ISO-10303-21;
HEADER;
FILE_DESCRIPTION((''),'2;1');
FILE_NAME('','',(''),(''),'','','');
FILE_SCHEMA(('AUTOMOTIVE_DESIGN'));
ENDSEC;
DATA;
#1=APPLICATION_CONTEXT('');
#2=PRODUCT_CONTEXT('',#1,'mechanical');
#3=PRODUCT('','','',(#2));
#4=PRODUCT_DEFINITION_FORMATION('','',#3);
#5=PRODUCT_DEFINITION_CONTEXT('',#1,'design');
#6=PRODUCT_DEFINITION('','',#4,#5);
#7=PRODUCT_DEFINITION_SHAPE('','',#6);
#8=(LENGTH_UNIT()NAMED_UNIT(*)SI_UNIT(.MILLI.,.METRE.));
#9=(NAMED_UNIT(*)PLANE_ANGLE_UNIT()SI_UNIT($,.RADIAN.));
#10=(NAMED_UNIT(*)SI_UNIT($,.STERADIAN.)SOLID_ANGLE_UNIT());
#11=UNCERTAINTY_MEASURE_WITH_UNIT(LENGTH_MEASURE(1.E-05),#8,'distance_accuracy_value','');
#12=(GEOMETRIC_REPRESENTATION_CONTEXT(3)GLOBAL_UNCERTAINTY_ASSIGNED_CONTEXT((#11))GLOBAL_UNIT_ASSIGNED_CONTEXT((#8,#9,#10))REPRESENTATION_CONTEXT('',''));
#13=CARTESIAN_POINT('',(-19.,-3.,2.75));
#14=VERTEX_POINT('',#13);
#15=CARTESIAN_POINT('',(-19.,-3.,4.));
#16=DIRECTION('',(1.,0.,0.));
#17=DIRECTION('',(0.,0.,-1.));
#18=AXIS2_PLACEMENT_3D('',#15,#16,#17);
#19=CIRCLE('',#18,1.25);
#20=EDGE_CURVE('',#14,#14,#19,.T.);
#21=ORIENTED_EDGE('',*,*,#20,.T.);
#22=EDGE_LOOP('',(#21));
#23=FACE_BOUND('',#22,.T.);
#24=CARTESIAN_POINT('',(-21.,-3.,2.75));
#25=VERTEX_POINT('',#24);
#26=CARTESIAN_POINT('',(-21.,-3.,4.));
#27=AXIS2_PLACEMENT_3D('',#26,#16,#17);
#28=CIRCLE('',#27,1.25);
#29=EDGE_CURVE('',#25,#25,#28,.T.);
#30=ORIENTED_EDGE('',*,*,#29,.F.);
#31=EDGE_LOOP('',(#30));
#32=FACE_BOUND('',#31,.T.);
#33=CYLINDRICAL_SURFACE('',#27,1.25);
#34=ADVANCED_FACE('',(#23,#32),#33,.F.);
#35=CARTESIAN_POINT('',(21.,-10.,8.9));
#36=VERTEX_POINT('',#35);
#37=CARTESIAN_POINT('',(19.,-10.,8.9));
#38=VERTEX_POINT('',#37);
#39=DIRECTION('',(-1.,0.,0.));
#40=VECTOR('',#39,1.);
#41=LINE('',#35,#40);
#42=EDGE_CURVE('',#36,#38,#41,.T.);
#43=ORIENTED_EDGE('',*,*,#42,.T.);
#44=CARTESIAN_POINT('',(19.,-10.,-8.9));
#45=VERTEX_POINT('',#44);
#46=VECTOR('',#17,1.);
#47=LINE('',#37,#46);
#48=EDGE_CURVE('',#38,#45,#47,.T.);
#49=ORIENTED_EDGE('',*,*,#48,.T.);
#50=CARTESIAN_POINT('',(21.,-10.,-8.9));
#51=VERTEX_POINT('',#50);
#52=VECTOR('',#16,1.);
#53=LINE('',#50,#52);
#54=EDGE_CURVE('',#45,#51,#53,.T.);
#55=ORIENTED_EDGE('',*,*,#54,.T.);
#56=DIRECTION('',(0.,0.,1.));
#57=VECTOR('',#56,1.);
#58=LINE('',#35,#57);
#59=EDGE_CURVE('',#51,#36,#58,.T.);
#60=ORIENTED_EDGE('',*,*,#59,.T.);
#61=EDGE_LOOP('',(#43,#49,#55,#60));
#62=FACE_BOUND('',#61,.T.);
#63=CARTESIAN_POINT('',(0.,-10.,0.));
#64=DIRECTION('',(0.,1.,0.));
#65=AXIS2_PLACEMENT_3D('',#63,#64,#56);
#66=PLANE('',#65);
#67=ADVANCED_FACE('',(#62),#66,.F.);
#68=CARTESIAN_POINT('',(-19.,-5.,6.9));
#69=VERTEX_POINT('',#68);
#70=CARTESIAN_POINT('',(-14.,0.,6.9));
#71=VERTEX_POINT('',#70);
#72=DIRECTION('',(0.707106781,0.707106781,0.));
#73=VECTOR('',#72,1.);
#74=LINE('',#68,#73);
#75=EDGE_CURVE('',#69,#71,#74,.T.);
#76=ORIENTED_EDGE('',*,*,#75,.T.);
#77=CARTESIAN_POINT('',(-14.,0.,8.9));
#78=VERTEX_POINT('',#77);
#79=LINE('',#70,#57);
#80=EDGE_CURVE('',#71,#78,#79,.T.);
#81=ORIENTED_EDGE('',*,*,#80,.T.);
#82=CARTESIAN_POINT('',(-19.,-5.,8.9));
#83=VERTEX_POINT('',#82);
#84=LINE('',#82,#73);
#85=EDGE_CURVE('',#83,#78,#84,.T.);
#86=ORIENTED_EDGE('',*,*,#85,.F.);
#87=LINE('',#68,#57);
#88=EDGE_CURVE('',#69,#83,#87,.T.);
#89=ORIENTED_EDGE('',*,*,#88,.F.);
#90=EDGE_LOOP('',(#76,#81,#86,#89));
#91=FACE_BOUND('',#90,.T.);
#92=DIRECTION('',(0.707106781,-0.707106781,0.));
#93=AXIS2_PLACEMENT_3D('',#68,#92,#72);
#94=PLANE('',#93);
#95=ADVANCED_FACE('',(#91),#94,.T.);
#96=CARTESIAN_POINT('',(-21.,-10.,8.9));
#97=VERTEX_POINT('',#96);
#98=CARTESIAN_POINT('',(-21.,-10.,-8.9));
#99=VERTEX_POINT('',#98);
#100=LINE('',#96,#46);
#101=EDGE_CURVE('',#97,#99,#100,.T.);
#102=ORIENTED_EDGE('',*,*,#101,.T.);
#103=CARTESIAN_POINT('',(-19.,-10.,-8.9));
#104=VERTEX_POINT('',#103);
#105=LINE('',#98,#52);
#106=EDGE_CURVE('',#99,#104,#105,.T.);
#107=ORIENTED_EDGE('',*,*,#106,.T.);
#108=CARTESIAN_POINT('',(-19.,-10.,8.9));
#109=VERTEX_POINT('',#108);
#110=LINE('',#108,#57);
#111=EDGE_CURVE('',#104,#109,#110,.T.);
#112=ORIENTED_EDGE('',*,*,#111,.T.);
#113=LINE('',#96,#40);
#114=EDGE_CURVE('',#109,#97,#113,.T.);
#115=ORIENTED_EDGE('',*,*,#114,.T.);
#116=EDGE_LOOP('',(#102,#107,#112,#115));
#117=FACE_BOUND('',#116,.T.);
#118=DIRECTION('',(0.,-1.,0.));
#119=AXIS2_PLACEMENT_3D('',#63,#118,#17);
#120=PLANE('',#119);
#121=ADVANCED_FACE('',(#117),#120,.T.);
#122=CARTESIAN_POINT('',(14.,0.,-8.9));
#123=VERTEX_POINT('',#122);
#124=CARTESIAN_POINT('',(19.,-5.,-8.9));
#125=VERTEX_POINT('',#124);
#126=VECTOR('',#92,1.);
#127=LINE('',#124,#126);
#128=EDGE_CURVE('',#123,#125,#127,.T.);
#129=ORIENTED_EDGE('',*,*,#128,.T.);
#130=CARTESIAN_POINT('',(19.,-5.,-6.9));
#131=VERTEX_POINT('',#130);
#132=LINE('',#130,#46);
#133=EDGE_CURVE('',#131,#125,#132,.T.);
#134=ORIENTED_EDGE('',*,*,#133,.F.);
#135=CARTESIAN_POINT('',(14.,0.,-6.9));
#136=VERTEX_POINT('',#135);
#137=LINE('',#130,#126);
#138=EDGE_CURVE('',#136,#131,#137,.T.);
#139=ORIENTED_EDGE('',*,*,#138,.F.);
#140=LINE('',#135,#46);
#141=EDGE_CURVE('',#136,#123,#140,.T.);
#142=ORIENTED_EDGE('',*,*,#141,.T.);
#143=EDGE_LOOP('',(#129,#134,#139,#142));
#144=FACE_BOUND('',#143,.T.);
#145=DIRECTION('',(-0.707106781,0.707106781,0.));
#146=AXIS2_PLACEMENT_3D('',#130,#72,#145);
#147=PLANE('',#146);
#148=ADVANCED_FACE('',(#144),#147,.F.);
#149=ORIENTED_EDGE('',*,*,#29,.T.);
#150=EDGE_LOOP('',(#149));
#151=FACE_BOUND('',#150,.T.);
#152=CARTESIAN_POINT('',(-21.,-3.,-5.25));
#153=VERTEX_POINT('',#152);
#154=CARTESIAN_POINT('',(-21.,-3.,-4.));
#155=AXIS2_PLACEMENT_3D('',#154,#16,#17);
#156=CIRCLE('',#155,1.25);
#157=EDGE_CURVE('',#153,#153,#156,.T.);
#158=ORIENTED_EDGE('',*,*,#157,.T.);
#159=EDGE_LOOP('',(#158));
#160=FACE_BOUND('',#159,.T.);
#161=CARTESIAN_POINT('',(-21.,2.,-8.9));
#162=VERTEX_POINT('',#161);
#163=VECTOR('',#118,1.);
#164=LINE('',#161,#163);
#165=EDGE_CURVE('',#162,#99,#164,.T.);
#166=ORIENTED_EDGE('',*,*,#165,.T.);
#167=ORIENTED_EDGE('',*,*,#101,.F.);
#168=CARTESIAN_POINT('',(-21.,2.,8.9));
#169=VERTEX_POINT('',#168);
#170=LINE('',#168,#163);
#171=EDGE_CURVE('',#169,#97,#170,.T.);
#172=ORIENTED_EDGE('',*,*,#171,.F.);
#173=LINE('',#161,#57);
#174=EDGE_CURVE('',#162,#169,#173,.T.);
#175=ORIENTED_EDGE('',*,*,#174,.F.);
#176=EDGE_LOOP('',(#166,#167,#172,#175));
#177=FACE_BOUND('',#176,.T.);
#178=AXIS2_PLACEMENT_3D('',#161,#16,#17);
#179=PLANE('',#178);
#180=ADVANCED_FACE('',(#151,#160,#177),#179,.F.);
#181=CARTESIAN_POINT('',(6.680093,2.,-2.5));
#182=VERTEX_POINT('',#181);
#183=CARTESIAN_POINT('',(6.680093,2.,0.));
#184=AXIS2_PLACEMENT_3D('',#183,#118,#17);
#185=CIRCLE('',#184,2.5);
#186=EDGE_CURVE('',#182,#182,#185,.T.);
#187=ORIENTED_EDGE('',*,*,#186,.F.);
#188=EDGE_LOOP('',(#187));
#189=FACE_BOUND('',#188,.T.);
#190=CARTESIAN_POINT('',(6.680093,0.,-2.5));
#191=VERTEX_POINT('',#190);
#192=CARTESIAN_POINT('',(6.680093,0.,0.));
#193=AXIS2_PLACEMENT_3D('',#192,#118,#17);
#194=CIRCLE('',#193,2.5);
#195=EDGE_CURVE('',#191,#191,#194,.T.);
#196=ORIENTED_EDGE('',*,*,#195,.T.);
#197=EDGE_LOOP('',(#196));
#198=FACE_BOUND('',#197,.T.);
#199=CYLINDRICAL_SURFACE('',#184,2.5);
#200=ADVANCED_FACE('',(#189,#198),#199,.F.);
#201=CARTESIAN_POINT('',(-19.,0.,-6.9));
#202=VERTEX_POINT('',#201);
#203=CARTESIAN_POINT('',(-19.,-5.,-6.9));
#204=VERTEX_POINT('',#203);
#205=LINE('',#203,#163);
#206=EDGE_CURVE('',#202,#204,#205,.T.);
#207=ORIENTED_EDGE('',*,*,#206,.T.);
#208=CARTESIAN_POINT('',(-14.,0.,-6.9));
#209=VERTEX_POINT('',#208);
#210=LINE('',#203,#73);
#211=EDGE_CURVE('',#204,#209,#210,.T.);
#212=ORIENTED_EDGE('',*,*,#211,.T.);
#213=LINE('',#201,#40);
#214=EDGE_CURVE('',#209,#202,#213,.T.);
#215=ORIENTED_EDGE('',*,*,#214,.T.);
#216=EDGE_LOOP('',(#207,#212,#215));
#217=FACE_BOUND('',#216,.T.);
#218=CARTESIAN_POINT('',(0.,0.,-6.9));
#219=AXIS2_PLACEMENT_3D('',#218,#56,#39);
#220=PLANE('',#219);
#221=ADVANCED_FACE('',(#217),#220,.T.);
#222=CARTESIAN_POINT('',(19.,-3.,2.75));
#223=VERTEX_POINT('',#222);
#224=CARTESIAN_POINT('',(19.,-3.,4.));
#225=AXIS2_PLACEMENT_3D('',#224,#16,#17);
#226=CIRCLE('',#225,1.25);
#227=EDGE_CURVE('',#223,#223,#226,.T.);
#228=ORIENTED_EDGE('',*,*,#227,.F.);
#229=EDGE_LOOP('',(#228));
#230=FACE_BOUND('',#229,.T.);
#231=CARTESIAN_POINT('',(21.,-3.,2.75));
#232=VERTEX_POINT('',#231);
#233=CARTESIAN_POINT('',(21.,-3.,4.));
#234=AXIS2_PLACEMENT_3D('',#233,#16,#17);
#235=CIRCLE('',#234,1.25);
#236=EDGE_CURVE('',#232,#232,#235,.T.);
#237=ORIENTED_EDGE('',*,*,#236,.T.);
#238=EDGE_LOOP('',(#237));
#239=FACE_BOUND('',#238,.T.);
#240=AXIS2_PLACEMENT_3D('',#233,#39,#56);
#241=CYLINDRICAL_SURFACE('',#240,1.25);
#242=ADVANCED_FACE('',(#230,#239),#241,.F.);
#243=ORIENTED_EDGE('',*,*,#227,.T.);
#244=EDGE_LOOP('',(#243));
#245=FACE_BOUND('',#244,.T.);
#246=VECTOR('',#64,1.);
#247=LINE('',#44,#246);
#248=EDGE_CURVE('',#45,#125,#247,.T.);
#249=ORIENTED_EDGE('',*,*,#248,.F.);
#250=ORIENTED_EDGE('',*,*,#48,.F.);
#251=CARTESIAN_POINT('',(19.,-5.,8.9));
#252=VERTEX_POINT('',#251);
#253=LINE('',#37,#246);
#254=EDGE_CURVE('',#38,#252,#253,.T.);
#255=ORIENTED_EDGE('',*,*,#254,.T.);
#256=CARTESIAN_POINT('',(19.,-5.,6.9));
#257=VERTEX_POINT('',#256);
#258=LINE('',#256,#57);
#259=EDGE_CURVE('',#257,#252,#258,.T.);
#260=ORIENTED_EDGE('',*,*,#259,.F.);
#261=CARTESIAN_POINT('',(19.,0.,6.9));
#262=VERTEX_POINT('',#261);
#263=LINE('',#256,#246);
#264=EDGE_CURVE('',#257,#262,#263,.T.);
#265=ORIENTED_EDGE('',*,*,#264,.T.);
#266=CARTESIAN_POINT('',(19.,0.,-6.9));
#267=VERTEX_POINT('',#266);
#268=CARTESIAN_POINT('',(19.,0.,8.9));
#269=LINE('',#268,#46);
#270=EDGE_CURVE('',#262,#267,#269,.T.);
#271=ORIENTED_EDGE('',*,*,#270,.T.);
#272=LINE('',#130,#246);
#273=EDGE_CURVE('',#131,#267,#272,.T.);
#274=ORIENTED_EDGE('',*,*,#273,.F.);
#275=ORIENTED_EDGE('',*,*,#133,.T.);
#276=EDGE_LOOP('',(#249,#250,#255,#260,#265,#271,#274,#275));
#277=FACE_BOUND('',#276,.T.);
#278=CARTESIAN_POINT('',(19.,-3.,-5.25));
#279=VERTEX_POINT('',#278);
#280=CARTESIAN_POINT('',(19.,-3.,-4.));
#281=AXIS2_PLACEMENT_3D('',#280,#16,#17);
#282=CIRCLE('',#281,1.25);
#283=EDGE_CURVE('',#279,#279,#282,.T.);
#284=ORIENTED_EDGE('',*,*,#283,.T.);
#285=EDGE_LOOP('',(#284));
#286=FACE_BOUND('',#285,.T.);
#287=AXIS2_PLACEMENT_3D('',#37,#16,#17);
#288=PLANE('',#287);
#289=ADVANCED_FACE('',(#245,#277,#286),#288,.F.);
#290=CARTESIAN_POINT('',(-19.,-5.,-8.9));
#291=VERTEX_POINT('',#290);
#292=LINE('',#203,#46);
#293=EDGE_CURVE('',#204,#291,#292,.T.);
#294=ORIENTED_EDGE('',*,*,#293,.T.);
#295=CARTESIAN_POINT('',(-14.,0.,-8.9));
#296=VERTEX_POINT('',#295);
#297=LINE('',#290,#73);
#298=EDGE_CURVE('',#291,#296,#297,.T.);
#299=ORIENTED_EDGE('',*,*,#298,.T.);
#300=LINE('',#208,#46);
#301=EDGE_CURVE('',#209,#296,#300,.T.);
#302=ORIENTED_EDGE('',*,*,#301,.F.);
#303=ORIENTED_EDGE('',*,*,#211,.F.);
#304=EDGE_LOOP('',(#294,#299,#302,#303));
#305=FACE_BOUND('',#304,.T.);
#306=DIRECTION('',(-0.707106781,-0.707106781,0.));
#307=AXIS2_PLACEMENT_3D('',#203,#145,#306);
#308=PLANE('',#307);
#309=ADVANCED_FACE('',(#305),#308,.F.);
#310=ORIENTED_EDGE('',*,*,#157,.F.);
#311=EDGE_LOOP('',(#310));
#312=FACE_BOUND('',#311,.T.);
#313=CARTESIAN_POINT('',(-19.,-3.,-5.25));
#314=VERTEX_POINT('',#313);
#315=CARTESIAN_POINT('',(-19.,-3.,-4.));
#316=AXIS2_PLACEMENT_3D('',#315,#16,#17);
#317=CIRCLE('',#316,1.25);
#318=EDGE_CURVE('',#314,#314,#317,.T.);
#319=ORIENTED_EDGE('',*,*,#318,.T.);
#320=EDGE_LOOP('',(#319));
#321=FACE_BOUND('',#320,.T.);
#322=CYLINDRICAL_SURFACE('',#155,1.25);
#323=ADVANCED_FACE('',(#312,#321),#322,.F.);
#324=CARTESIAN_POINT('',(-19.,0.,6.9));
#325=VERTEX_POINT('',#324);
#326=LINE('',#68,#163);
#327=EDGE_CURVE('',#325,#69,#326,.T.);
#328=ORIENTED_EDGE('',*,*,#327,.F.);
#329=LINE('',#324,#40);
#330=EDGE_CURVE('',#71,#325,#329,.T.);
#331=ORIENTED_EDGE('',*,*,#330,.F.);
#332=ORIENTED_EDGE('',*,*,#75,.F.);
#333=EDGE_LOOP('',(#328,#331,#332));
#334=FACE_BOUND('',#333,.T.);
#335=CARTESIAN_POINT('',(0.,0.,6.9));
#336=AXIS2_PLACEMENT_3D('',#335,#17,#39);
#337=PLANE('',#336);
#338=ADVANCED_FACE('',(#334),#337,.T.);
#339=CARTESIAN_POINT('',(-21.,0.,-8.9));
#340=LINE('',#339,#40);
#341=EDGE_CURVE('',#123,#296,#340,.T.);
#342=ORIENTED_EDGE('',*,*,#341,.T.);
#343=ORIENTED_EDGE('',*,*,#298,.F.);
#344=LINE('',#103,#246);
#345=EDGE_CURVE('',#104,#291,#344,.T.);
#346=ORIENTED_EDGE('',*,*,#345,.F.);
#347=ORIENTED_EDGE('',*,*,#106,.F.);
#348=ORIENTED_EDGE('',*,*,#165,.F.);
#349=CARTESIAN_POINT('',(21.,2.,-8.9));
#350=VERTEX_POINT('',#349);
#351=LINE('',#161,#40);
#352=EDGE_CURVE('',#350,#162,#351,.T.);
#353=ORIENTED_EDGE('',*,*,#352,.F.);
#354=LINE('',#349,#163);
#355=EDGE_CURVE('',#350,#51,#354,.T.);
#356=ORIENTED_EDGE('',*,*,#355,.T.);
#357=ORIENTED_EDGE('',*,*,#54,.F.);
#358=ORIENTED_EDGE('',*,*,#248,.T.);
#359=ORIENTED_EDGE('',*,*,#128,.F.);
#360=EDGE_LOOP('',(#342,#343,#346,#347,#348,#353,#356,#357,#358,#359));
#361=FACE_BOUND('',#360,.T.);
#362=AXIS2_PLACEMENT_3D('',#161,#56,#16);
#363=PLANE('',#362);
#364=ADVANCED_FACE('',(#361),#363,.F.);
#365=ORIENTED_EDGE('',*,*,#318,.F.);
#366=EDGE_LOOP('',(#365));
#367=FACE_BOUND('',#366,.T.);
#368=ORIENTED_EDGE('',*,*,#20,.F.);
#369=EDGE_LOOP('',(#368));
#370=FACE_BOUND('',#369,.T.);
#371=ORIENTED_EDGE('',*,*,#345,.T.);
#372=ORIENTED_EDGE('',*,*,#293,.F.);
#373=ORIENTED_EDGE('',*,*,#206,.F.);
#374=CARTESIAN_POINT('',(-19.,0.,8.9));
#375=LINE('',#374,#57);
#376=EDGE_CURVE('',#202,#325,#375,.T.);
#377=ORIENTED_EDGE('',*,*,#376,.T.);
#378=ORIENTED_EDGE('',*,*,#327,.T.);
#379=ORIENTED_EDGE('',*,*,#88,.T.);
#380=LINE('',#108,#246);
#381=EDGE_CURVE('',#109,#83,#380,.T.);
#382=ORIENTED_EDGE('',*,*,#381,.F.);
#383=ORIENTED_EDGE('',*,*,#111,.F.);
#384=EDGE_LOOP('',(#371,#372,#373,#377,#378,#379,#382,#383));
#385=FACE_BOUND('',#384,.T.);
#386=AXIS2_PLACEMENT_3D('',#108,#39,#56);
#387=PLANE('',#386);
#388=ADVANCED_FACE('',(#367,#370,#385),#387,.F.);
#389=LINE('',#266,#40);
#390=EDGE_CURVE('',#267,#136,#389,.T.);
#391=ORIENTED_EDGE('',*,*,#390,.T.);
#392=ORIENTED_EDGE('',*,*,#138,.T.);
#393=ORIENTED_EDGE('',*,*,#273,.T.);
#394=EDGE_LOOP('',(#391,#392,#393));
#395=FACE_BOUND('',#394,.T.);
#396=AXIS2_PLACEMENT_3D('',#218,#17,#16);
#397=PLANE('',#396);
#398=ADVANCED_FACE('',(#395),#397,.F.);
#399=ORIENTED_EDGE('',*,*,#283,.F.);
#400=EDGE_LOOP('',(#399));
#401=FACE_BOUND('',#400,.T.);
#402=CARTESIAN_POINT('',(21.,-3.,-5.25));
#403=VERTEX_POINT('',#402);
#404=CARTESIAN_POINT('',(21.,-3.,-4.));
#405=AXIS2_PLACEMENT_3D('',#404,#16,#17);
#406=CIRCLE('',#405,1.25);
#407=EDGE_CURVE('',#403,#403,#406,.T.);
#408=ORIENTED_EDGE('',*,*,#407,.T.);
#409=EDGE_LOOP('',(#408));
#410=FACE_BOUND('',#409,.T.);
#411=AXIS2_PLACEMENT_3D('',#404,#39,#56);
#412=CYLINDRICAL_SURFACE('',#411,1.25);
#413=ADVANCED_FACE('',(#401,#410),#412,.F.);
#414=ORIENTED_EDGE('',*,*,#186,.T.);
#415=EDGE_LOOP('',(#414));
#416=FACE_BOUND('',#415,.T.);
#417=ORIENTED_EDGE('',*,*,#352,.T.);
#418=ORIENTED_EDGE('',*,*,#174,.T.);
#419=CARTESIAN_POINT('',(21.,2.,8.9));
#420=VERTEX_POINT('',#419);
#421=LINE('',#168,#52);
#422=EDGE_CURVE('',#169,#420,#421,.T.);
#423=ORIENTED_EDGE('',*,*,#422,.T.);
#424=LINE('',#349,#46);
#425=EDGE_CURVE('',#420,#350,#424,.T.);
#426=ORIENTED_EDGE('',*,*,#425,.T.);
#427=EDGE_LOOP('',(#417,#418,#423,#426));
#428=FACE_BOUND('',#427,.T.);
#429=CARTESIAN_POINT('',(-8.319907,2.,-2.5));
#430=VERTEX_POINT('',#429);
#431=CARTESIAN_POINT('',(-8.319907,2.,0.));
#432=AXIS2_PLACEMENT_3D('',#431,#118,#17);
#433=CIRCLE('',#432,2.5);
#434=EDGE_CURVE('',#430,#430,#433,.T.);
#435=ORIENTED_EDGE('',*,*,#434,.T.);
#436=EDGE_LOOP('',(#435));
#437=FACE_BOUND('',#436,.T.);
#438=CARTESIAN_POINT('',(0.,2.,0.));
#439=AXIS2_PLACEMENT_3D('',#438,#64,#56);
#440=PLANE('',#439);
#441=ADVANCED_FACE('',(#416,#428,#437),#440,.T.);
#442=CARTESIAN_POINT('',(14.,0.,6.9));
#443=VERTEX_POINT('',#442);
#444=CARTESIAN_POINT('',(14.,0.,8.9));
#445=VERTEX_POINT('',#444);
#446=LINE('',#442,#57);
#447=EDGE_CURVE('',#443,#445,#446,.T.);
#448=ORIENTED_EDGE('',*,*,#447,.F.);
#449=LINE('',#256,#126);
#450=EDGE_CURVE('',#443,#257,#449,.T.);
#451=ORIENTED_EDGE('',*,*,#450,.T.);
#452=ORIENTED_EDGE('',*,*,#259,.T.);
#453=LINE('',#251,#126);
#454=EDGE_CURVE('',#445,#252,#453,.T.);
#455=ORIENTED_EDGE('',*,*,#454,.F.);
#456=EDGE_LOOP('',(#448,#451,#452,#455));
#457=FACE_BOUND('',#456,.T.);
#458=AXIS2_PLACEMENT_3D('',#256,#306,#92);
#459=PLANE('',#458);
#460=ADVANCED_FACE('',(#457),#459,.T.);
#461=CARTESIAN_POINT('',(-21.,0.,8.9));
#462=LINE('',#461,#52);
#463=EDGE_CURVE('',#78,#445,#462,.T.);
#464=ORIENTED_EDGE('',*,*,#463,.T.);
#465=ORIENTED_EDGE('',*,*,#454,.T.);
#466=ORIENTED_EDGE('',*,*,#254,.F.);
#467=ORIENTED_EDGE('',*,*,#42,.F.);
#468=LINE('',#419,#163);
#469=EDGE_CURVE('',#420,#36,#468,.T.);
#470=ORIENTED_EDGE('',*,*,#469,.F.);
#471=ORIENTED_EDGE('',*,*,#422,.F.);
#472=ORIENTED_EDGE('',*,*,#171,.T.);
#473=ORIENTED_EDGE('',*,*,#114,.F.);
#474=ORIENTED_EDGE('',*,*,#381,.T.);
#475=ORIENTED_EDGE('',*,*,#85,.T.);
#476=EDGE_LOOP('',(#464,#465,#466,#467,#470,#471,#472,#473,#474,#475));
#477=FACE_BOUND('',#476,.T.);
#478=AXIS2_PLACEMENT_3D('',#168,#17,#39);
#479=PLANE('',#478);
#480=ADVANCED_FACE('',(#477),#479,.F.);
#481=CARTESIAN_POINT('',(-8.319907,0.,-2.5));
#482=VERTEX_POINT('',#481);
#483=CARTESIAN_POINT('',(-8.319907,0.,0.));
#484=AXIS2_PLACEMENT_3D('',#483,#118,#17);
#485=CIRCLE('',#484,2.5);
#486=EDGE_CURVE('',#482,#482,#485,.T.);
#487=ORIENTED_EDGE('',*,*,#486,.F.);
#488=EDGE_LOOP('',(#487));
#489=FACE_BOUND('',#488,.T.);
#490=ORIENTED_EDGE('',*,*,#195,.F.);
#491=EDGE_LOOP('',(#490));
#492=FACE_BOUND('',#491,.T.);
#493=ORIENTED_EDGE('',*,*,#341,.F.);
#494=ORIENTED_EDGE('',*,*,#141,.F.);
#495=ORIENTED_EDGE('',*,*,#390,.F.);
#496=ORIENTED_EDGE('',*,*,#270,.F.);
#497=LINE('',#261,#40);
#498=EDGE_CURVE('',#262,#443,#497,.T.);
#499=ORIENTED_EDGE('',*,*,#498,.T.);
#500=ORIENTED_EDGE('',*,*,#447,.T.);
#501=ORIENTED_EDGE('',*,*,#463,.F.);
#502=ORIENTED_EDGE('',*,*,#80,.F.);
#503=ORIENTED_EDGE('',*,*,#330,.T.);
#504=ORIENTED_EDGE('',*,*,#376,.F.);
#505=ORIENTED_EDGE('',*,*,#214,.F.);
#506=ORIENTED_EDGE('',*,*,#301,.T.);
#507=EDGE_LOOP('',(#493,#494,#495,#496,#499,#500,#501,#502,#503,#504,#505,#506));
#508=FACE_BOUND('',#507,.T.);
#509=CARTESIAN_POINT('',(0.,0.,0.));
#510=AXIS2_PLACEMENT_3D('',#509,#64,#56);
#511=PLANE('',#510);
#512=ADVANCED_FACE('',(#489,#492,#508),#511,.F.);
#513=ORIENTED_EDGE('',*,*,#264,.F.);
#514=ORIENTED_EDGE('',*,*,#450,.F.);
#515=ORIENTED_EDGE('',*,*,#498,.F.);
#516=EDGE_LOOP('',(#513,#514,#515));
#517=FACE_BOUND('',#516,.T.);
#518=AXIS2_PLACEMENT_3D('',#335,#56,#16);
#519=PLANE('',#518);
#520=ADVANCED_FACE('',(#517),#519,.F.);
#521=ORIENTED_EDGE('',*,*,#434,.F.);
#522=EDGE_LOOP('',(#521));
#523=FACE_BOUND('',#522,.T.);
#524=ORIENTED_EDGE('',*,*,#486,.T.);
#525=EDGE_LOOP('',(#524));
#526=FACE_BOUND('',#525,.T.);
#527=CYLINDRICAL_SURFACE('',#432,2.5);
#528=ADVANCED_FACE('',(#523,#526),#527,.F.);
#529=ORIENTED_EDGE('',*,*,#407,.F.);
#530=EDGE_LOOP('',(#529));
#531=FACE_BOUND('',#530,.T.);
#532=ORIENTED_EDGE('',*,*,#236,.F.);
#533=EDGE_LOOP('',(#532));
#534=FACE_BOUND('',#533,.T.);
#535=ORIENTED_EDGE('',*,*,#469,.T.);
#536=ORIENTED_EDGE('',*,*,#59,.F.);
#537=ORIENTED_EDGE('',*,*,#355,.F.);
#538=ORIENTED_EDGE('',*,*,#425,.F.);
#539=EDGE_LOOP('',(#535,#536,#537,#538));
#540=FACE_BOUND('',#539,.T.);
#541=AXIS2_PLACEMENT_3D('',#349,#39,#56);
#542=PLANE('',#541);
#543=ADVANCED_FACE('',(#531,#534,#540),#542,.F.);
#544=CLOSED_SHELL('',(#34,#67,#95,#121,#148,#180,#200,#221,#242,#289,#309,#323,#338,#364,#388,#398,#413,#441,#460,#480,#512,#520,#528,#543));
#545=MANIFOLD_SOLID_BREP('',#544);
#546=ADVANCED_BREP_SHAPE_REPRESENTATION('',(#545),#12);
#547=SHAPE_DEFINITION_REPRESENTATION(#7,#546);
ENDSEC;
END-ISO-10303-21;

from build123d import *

# Parameters (mm, degrees)
SKETCH2_W           = 42
SKETCH2_H           = 17.8
BOSS_EXTRUDE1_DEPTH = 2
SKETCH3_W           = 2
SKETCH3_H           = 17.8
BOSS_EXTRUDE2_DEPTH = 10
BOSS_EXTRUDE3_DEPTH = 2
SKETCH5_R           = 2.5
CUT_EXTRUDE1_DEPTH  = 2
SKETCH6_R           = 1.25
CUT_EXTRUDE2_DEPTH  = 2


with BuildPart() as part:
    # Sketch2 → Boss-Extrude1 (new body)
    with BuildSketch(Plane(origin=(0, 0, 0), x_dir=(1, 0, 0), z_dir=(0, 1, 0))):
        Rectangle(SKETCH2_W, SKETCH2_H)
    extrude(amount=BOSS_EXTRUDE1_DEPTH)

    # Sketch3 → Boss-Extrude2 (add)
    with BuildSketch(Plane.XZ):
        with Locations((-20, 0)):
            Rectangle(SKETCH3_W, SKETCH3_H)
        with Locations((20, 0)):
            Rectangle(SKETCH3_W, SKETCH3_H)
    extrude(amount=BOSS_EXTRUDE2_DEPTH)

    # Sketch4 → Boss-Extrude3 (add)
    with BuildSketch(Plane.XY.offset(8.9)):
        Polygon((-19, 0), (-14, 0), (-19, -5), align=None)
        Polygon((19, -5), (14, 0), (19, 0), align=None)
    boss_extrude3 = extrude(amount=-BOSS_EXTRUDE3_DEPTH)

    # Mirror1: Boss-Extrude3 across plane
    add(boss_extrude3.mirror(Plane.XY))

    # Sketch5 → Cut-Extrude1 (cut)
    with BuildSketch(Plane.XZ):
        with Locations((-8.319906625, 0)):
            Circle(SKETCH5_R)
        with Locations((6.680093375, 0)):
            Circle(SKETCH5_R)
    extrude(amount=-CUT_EXTRUDE1_DEPTH, mode=Mode.SUBTRACT)

    # Sketch6 → Cut-Extrude2 (cut)
    with BuildSketch(Plane(origin=(-19, 0, 0), x_dir=(0, 0, -1), z_dir=(1, 0, 0))):
        with Locations((-4, -3)):
            Circle(SKETCH6_R)
        with Locations((4, -3)):
            Circle(SKETCH6_R)
    cut_extrude2 = extrude(amount=-CUT_EXTRUDE2_DEPTH, mode=Mode.SUBTRACT)

    # Mirror2: Cut-Extrude2 across plane
    add(cut_extrude2.mirror(Plane(origin=(0, 0, 0), x_dir=(0, 0, 1), z_dir=(1, 0, 0))), mode=Mode.SUBTRACT)


solid = part.part
